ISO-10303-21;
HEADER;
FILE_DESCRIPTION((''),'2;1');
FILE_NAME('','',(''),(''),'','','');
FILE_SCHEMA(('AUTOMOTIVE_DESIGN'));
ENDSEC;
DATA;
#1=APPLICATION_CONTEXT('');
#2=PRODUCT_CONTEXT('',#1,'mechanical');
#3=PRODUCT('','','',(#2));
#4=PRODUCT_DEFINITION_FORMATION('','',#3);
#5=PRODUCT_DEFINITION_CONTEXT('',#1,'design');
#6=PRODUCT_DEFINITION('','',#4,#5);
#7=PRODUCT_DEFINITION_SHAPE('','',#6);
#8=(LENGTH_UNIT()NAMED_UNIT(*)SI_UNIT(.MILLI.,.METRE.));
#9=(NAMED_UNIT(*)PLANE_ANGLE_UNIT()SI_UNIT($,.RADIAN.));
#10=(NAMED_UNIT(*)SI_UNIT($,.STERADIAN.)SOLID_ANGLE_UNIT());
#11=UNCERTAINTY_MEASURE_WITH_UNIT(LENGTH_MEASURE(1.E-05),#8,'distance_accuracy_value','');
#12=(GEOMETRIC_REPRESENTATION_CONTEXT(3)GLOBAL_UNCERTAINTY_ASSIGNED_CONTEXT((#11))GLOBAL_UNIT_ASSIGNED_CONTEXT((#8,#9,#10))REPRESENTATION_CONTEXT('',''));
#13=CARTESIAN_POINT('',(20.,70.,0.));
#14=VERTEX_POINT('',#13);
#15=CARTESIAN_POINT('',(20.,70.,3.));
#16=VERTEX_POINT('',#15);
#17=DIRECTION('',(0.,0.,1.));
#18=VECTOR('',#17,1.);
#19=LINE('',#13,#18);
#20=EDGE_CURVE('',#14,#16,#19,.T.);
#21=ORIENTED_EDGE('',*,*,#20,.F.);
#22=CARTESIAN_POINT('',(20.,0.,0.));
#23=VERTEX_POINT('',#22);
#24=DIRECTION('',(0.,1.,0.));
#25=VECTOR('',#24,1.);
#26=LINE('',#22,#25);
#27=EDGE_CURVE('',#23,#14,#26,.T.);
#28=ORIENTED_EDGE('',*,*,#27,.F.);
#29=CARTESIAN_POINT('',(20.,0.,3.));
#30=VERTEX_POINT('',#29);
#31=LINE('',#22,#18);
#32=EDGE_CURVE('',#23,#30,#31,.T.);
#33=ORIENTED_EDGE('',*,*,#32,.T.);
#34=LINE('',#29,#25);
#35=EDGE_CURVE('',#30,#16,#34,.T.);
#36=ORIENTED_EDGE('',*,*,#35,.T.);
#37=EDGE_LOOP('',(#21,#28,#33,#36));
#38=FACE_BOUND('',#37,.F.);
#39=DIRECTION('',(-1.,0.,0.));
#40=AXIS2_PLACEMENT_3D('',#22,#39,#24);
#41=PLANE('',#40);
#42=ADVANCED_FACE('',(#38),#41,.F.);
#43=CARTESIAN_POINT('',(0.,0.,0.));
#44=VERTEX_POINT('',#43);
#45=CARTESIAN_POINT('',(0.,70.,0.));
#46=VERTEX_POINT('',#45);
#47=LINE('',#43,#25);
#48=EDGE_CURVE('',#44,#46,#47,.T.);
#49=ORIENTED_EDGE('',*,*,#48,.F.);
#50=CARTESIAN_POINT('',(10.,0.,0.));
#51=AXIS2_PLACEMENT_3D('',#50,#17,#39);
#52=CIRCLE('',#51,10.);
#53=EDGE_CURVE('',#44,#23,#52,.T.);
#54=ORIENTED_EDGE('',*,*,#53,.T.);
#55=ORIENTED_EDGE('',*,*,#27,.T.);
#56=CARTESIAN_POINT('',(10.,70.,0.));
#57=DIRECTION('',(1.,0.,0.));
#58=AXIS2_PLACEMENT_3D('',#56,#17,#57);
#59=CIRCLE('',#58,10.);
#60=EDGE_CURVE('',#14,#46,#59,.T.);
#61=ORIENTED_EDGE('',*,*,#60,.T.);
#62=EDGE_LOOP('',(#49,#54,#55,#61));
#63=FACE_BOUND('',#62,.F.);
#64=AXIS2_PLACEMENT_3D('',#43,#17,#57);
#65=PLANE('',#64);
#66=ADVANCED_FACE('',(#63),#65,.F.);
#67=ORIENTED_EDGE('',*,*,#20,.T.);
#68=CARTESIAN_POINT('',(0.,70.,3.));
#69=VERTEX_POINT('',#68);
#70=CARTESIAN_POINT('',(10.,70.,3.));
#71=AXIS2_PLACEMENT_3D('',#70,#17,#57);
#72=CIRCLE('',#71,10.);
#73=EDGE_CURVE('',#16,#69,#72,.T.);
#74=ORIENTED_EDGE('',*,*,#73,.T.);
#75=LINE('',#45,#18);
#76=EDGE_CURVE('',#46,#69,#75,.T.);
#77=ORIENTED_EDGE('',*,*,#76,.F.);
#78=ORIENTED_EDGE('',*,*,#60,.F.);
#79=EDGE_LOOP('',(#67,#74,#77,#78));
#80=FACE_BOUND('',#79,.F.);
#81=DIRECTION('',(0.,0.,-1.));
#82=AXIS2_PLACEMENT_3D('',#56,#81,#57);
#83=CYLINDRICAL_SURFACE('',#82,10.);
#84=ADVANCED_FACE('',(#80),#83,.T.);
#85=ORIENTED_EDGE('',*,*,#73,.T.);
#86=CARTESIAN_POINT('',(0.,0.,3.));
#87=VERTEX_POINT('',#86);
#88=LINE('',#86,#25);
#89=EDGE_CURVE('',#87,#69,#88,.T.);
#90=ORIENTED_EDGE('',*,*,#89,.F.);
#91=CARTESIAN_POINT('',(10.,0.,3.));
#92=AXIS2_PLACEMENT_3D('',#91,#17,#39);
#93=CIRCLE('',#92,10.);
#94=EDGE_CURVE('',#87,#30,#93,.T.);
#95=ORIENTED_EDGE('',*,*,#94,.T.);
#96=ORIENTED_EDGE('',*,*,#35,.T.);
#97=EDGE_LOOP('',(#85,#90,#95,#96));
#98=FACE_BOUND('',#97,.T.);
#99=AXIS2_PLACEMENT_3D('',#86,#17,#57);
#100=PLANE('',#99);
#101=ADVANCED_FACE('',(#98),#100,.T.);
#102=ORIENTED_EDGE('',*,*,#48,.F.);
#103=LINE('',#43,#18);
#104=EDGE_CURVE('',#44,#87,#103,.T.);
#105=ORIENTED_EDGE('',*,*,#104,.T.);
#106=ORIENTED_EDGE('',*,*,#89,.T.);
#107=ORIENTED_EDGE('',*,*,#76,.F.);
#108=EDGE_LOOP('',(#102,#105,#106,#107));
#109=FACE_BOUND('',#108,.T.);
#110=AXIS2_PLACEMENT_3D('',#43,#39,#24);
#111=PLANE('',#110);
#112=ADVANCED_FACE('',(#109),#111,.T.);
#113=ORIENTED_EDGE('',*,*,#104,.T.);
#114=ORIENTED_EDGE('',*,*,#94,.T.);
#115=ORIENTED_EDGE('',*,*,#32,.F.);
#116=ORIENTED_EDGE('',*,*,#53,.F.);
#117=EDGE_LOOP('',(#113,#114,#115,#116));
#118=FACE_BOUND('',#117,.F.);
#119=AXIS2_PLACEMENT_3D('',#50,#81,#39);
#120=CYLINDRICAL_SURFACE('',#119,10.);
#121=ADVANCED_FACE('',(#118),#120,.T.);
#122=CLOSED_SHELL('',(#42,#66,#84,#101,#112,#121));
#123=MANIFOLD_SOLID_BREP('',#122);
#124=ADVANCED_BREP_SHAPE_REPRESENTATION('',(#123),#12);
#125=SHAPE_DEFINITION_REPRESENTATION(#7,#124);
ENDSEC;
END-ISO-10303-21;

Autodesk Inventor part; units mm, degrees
ref_plane "YZ Plane" through (0, 0, 0) normal (1, 0, 0) x (0, 1, 0)
ref_plane "XZ Plane" through (0, 0, 0) normal (0, 1, 0) x (-1, 0, 0)
ref_plane "XY Plane" through (0, 0, 0) normal (0, 0, 1) x (1, 0, 0)
sketch "Sketch1" plane through (0, 0, 0) normal (0, 0, 1) x (1, 0, 0)
  line L0 (0, 0) -> (0, 70)
  line L1 (20, 0) -> (20, 70)
  arc A0 (20, 70) -> (0, 70) centre (10, 70) ccw
  arc A1 (0, 0) -> (20, 0) centre (10, 0) ccw
  dimension "d1" = 70
  dimension "d3" = 70
extrude "Extrusion1" add sketch "Sketch1" along normal blind 3
properties part number "pads"
